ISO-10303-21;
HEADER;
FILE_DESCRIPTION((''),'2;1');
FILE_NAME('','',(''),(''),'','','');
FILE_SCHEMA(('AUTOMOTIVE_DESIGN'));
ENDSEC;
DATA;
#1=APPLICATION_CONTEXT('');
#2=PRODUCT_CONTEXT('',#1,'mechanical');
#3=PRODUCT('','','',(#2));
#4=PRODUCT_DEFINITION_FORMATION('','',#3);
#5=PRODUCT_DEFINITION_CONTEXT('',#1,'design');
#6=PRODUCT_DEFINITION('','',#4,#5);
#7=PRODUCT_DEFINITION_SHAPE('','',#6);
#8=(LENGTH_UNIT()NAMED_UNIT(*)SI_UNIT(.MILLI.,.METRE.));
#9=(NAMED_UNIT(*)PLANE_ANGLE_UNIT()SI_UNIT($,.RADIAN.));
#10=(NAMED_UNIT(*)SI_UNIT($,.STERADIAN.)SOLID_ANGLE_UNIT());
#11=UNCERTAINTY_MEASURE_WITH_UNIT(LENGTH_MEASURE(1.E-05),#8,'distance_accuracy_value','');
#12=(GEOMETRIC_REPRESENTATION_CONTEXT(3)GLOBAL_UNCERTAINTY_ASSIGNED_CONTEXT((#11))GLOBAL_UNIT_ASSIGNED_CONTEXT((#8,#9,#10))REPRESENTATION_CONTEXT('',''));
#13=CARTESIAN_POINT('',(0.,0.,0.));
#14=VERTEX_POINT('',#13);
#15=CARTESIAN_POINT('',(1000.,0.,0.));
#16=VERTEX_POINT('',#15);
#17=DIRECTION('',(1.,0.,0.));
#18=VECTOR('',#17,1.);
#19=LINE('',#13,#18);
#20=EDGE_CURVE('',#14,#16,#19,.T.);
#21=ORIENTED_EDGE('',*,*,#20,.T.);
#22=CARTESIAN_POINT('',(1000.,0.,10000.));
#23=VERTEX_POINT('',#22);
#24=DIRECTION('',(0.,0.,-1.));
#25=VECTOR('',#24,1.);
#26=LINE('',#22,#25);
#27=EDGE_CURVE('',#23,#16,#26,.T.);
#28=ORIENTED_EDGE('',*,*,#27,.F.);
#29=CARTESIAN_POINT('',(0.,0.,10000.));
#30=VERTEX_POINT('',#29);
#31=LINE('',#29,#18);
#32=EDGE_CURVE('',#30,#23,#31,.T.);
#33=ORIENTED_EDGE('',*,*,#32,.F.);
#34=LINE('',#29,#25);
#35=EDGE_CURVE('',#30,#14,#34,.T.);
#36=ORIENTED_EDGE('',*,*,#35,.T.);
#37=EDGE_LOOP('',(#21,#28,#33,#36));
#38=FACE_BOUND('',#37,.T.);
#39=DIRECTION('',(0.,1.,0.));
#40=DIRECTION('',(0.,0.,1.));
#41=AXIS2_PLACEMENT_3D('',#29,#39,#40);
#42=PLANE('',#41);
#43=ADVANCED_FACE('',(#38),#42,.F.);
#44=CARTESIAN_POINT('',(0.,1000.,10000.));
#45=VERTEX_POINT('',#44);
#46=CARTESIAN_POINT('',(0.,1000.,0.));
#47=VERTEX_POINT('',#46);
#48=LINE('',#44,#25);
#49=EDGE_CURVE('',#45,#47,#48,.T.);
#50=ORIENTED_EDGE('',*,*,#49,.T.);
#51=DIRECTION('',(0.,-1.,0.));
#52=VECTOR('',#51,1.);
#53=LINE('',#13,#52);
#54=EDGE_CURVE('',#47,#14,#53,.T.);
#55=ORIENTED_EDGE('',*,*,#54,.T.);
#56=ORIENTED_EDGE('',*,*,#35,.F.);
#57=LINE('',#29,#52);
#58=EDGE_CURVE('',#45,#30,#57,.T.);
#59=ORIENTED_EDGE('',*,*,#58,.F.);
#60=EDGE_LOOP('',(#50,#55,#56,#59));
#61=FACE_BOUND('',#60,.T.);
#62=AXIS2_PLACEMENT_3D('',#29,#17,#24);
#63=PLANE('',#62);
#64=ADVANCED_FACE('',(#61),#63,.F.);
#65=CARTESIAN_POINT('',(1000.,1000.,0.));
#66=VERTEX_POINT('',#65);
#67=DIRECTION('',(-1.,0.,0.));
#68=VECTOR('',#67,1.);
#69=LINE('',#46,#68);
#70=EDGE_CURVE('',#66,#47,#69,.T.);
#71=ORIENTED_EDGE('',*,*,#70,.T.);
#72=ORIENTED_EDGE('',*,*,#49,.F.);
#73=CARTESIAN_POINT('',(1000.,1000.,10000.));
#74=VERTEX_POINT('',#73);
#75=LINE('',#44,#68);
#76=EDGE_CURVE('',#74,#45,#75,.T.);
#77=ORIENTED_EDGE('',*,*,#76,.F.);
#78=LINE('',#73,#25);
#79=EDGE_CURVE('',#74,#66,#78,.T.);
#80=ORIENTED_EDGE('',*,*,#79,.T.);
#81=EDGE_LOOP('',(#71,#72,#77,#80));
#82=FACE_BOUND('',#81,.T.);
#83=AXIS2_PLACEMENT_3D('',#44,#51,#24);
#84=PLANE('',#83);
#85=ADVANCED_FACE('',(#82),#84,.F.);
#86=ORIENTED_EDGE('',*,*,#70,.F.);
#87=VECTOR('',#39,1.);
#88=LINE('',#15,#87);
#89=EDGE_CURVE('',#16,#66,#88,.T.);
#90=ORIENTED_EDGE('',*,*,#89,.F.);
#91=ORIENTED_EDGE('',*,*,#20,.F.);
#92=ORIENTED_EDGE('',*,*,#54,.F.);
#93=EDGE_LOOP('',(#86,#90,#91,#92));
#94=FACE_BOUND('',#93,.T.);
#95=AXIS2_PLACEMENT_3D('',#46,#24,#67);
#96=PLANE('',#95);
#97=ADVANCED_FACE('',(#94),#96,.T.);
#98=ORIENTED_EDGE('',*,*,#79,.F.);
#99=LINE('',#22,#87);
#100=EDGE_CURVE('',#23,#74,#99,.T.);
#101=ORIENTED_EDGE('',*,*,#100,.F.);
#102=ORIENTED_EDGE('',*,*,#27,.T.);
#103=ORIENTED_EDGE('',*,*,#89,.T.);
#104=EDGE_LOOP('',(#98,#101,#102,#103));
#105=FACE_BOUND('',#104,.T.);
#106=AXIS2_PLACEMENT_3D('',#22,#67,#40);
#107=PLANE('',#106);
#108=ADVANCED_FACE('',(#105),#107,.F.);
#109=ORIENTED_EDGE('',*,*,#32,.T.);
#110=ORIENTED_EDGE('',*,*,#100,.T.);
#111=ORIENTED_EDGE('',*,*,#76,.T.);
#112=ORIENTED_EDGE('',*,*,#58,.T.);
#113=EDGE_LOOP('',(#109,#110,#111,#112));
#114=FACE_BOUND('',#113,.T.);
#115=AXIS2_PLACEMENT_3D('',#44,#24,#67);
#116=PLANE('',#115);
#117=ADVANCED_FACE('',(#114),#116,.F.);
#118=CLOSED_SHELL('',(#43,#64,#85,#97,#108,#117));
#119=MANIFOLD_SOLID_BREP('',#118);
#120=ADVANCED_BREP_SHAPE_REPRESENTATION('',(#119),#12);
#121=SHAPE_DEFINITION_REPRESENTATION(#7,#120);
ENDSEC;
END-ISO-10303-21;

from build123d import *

# Parameters (mm, degrees)
SKETCH1_W      = 1000
SKETCH1_H      = 1000
EXTRUDE1_DEPTH = 10000


with BuildPart() as part:
    # Sketch1 → Extrude1 (new body)
    with BuildSketch(Plane.XY):
        with Locations((500, 500)):
            Rectangle(SKETCH1_W, SKETCH1_H)
    extrude(amount=EXTRUDE1_DEPTH)


solid = part.part
